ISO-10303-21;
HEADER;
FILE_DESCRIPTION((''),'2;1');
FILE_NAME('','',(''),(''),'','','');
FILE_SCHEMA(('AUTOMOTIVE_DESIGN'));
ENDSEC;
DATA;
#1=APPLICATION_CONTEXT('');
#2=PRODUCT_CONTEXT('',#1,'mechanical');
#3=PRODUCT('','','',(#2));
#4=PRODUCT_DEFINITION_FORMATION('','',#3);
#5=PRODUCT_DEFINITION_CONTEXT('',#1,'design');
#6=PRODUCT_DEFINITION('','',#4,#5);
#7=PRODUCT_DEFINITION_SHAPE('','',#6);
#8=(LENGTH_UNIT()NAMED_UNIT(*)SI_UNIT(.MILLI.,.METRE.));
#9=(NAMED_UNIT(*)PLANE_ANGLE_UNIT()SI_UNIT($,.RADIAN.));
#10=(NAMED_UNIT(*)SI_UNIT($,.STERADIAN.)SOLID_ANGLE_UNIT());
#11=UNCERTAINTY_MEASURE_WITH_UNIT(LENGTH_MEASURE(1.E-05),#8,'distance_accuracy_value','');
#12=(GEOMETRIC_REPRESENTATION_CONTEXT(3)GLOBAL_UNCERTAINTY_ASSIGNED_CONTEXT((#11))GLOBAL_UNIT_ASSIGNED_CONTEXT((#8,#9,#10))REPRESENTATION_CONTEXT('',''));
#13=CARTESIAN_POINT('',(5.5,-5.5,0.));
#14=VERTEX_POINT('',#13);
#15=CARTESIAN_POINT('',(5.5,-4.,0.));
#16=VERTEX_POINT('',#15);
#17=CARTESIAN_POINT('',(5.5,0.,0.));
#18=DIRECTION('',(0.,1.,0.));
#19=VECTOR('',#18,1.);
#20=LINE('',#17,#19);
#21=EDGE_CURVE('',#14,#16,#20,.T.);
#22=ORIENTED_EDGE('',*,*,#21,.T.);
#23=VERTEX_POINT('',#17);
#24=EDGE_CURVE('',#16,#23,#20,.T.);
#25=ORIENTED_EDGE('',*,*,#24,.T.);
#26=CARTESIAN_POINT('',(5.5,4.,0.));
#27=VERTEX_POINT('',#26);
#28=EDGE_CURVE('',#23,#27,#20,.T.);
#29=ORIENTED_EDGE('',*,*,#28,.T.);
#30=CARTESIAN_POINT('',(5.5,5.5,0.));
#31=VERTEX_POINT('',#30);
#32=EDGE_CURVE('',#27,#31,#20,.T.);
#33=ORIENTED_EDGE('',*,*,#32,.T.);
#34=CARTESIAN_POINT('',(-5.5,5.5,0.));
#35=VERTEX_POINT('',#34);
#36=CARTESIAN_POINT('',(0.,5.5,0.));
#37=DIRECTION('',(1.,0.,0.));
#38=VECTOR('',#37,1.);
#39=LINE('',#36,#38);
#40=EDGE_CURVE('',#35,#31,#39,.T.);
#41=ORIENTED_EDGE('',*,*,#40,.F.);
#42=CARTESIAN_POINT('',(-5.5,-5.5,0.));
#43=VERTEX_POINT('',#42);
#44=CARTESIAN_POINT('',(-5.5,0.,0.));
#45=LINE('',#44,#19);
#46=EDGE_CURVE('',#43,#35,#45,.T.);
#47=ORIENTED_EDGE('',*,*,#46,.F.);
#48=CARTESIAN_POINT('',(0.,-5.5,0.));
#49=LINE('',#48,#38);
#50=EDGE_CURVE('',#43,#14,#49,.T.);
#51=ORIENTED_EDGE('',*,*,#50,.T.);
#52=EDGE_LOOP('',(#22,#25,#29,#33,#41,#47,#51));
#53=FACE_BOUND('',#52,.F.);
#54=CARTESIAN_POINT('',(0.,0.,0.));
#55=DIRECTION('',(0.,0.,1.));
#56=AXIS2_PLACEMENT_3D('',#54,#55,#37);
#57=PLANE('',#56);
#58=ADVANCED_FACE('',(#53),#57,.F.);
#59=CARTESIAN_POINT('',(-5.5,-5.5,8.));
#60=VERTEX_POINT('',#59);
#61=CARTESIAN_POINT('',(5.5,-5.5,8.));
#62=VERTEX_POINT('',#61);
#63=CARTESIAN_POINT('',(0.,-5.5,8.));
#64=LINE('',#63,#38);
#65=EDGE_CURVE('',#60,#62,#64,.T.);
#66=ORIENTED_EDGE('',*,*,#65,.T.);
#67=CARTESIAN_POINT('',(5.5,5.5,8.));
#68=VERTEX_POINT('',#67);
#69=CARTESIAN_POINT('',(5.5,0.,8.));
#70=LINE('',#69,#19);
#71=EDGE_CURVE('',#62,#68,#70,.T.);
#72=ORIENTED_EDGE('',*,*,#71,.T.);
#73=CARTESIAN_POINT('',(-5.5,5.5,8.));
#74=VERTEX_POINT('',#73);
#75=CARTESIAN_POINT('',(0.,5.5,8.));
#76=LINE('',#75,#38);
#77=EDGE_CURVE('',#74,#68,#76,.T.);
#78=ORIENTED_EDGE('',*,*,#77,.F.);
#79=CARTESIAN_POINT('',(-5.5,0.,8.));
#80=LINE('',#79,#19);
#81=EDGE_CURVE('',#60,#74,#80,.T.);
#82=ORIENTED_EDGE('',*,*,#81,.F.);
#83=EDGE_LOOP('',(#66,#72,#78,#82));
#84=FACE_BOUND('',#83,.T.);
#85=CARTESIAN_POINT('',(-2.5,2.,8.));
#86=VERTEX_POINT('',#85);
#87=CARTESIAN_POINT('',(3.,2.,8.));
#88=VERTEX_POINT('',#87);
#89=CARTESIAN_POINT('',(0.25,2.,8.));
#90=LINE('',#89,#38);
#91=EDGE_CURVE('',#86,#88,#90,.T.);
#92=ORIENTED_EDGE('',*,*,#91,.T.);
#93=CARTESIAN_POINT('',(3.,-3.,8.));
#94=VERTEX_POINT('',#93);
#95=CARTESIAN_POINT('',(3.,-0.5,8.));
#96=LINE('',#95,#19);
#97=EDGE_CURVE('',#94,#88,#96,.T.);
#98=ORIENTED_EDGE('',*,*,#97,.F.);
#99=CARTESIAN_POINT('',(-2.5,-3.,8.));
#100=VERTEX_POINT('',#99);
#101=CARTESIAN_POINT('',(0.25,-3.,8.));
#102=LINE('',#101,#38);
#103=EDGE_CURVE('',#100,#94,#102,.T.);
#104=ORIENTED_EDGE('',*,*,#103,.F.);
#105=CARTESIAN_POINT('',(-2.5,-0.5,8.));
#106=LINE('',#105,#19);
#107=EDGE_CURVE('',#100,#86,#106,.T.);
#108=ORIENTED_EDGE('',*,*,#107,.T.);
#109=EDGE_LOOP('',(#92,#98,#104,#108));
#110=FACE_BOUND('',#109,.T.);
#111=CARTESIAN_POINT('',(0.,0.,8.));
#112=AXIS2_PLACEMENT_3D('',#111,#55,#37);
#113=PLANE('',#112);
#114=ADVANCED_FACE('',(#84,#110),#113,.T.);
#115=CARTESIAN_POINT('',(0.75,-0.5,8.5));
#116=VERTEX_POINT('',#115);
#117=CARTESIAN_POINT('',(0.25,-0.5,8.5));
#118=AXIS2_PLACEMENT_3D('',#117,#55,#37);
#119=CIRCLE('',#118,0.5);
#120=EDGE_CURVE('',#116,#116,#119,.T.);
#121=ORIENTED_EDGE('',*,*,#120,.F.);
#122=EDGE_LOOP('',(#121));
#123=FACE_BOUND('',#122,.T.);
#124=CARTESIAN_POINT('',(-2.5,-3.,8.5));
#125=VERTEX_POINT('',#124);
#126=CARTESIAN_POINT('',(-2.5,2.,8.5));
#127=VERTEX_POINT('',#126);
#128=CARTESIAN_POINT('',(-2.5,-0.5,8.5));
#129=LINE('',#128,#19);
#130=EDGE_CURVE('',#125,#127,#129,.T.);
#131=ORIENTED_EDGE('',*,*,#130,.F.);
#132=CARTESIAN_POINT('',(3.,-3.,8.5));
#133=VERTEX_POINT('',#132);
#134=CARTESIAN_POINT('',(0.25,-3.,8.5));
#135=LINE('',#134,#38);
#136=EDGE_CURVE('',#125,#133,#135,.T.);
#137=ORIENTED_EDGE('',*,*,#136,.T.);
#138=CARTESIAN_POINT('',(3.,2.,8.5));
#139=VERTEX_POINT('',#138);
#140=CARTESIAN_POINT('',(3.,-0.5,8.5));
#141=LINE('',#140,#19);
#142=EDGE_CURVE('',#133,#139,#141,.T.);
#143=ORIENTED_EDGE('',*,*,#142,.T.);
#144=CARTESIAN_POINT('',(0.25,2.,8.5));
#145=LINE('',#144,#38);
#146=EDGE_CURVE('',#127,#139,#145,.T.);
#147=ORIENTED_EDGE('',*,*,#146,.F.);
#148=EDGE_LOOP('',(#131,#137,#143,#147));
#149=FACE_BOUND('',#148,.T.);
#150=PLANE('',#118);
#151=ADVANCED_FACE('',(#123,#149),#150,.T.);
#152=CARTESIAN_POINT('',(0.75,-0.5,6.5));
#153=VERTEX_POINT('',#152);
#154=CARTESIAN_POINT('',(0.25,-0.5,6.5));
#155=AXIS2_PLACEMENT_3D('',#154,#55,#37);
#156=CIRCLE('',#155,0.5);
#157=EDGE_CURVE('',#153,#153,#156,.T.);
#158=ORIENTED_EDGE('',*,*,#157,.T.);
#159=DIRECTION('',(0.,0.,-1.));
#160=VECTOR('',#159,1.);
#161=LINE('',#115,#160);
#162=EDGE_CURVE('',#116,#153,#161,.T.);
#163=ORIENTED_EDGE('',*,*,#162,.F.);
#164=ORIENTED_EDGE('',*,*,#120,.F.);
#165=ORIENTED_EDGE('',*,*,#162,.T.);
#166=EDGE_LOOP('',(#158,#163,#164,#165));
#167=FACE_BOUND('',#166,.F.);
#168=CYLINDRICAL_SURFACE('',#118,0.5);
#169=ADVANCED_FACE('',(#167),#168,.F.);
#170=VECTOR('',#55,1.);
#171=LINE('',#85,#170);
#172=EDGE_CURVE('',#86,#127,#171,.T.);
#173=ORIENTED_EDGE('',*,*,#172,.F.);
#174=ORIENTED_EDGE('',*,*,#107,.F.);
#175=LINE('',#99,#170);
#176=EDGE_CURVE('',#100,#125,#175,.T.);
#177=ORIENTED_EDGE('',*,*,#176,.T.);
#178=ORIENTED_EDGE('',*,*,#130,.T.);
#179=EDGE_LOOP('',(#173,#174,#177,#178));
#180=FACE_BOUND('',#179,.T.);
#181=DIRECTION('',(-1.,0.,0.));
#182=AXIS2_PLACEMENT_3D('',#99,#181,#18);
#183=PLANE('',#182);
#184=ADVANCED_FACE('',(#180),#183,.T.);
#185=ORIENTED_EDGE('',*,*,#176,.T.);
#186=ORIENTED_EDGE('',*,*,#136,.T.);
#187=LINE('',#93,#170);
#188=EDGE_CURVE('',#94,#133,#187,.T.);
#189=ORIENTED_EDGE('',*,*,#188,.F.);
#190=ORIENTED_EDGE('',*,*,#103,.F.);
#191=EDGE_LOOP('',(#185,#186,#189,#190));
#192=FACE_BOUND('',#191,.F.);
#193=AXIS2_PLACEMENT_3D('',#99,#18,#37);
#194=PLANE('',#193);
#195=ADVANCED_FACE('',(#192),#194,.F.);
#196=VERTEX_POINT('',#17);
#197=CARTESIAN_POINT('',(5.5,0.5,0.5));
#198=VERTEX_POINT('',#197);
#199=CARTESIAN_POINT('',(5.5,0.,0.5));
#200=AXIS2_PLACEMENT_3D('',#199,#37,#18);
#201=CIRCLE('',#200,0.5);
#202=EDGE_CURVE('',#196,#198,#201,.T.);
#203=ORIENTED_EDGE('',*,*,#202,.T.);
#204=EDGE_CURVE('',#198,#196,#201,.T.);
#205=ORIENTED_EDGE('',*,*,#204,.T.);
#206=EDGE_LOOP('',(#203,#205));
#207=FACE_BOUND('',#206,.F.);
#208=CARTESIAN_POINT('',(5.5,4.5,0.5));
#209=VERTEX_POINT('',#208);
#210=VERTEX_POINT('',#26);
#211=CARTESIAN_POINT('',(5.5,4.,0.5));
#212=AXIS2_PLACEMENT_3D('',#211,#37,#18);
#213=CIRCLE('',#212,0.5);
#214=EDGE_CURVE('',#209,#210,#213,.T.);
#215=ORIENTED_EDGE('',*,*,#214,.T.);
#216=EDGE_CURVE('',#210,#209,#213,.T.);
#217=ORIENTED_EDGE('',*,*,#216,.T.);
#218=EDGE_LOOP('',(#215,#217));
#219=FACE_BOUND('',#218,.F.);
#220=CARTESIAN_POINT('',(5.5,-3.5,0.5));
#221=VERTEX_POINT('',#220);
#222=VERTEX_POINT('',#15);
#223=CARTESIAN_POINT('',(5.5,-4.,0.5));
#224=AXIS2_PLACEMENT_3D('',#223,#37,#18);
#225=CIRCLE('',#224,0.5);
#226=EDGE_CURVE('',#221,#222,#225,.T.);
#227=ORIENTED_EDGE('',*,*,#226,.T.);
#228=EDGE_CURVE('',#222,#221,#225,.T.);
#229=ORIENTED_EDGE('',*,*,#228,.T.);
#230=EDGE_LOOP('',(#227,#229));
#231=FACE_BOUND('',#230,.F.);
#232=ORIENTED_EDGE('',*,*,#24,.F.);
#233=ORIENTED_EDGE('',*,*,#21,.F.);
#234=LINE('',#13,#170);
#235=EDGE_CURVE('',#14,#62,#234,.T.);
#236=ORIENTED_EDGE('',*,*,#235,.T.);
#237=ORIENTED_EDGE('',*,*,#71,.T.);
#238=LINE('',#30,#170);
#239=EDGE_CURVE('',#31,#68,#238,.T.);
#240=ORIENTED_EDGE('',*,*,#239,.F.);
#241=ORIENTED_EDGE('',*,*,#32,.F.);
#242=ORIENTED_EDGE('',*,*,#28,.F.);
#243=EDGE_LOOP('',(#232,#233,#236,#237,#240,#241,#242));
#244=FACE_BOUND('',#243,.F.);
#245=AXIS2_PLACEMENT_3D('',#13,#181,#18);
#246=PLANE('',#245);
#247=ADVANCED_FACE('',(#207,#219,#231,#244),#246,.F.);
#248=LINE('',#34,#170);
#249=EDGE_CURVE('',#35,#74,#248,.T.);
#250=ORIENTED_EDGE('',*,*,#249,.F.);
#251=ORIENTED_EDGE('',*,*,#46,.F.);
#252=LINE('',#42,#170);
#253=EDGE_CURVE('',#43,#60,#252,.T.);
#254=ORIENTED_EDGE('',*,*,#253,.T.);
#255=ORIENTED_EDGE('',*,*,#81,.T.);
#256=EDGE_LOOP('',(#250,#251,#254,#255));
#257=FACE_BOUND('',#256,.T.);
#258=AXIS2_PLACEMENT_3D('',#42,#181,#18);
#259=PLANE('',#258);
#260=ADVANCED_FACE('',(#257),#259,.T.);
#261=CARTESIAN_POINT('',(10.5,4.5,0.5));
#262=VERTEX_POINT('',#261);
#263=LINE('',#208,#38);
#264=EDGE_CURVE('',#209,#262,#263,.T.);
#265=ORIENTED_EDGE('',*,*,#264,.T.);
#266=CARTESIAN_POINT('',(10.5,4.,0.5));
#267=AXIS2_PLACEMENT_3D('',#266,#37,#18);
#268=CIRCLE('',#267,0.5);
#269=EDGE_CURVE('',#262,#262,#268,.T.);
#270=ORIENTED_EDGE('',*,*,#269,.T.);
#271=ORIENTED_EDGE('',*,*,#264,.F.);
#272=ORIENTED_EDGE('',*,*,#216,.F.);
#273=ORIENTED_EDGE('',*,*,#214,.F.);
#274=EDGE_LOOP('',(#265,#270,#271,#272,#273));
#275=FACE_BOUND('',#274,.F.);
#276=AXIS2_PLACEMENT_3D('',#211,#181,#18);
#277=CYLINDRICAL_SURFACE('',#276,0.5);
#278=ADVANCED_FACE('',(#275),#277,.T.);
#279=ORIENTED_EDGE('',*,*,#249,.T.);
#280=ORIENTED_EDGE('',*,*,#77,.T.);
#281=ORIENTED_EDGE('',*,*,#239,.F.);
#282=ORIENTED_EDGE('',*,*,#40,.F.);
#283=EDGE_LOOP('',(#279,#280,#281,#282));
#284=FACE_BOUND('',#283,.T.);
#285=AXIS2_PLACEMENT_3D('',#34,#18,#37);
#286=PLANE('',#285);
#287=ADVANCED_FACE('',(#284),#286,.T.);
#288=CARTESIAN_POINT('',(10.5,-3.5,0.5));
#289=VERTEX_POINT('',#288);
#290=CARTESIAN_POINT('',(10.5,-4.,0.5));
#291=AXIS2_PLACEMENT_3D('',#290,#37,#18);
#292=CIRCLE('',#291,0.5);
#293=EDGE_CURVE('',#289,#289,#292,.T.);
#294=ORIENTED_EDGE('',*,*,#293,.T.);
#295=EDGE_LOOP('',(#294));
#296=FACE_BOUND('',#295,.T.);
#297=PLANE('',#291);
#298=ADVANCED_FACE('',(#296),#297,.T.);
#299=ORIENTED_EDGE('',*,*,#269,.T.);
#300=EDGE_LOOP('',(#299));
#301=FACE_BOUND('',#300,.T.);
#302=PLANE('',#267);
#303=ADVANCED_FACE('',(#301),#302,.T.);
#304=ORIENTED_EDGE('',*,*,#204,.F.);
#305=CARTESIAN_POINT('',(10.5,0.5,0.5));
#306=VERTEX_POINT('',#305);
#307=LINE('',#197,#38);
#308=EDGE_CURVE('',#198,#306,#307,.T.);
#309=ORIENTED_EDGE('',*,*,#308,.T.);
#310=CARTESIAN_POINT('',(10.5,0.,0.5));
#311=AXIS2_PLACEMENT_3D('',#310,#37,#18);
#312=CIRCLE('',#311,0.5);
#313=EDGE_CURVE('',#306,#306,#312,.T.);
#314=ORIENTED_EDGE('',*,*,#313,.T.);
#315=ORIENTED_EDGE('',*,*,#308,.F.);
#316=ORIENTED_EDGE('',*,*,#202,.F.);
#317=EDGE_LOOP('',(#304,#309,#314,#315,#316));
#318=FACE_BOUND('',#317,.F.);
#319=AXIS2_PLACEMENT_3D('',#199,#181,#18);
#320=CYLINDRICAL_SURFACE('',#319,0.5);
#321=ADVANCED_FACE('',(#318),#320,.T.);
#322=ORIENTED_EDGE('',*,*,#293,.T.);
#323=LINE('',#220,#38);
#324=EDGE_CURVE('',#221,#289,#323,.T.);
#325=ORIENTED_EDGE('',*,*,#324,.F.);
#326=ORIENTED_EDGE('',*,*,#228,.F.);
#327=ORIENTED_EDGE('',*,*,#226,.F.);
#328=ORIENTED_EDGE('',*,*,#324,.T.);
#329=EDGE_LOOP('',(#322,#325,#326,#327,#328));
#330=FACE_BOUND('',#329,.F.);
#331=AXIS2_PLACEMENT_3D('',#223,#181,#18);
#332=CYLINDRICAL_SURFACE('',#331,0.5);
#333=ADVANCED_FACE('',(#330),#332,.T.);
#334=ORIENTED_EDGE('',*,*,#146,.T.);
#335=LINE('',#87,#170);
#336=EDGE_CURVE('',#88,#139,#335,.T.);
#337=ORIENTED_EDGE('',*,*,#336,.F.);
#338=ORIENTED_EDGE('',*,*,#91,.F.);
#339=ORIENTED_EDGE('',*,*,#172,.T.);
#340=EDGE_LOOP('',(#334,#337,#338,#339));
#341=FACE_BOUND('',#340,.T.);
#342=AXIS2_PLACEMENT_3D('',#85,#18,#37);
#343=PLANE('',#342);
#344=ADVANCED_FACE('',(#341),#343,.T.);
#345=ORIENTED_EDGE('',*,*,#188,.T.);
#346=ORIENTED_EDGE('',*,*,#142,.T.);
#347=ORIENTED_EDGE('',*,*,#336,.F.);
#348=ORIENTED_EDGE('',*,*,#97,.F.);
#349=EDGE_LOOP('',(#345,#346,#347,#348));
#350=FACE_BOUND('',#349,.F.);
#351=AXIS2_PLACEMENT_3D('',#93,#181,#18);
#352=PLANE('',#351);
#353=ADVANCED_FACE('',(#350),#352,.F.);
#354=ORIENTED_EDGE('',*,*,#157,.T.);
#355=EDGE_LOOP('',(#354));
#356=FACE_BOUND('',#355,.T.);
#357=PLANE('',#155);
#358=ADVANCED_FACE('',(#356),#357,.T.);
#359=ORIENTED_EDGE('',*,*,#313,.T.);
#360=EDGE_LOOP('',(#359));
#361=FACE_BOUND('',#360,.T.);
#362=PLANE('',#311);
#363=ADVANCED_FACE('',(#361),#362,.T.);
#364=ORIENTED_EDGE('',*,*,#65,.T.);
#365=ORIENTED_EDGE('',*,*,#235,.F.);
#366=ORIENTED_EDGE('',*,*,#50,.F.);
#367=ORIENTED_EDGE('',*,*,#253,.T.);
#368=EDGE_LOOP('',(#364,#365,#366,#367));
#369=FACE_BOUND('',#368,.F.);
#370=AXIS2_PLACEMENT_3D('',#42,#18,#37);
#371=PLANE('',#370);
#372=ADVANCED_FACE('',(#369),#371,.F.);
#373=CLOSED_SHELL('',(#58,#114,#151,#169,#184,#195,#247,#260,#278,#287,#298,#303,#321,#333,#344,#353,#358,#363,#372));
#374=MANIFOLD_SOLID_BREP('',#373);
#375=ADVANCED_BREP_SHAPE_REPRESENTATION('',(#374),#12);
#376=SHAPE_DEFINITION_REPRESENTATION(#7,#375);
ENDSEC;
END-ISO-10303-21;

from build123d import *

# Parameters (mm, degrees)
SKETCH_W     = 11
SKETCH_H     = 11
PAD_DEPTH    = 8
SKETCH001_R  = 0.5
PAD001_DEPTH = 5
SKETCH002_W  = 5.5
SKETCH002_H  = 5
PAD002_DEPTH = 0.5
SKETCH003_R  = 0.5
POCKET_DEPTH = 2


with BuildPart() as part:
    # Sketch → Pad (new body)
    with BuildSketch(Plane.XY):
        Rectangle(SKETCH_W, SKETCH_H)
    extrude(amount=PAD_DEPTH)

    # Sketch001 (on Face2 of Pad) → Pad001 (join)
    with BuildSketch(Plane.YZ.offset(5.5)):
        with Locations((-4, 0.5)):
            Circle(SKETCH001_R)
        with Locations((0, 0.5)):
            Circle(SKETCH001_R)
        with Locations((4, 0.5)):
            Circle(SKETCH001_R)
    extrude(amount=PAD001_DEPTH)

    # Sketch002 (on Face5 of Pad001) → Pad002 (join)
    with BuildSketch(Plane.XY.offset(8)):
        with Locations((0.25, -0.5)):
            Rectangle(SKETCH002_W, SKETCH002_H)
    extrude(amount=PAD002_DEPTH)

    # Sketch003 (on Face17 of Pad002) → Pocket (cut)
    with BuildSketch(Plane.XY.offset(8.5)):
        with Locations((0.25, -0.5)):
            Circle(SKETCH003_R)
    extrude(amount=-POCKET_DEPTH, mode=Mode.SUBTRACT)


solid = part.part
